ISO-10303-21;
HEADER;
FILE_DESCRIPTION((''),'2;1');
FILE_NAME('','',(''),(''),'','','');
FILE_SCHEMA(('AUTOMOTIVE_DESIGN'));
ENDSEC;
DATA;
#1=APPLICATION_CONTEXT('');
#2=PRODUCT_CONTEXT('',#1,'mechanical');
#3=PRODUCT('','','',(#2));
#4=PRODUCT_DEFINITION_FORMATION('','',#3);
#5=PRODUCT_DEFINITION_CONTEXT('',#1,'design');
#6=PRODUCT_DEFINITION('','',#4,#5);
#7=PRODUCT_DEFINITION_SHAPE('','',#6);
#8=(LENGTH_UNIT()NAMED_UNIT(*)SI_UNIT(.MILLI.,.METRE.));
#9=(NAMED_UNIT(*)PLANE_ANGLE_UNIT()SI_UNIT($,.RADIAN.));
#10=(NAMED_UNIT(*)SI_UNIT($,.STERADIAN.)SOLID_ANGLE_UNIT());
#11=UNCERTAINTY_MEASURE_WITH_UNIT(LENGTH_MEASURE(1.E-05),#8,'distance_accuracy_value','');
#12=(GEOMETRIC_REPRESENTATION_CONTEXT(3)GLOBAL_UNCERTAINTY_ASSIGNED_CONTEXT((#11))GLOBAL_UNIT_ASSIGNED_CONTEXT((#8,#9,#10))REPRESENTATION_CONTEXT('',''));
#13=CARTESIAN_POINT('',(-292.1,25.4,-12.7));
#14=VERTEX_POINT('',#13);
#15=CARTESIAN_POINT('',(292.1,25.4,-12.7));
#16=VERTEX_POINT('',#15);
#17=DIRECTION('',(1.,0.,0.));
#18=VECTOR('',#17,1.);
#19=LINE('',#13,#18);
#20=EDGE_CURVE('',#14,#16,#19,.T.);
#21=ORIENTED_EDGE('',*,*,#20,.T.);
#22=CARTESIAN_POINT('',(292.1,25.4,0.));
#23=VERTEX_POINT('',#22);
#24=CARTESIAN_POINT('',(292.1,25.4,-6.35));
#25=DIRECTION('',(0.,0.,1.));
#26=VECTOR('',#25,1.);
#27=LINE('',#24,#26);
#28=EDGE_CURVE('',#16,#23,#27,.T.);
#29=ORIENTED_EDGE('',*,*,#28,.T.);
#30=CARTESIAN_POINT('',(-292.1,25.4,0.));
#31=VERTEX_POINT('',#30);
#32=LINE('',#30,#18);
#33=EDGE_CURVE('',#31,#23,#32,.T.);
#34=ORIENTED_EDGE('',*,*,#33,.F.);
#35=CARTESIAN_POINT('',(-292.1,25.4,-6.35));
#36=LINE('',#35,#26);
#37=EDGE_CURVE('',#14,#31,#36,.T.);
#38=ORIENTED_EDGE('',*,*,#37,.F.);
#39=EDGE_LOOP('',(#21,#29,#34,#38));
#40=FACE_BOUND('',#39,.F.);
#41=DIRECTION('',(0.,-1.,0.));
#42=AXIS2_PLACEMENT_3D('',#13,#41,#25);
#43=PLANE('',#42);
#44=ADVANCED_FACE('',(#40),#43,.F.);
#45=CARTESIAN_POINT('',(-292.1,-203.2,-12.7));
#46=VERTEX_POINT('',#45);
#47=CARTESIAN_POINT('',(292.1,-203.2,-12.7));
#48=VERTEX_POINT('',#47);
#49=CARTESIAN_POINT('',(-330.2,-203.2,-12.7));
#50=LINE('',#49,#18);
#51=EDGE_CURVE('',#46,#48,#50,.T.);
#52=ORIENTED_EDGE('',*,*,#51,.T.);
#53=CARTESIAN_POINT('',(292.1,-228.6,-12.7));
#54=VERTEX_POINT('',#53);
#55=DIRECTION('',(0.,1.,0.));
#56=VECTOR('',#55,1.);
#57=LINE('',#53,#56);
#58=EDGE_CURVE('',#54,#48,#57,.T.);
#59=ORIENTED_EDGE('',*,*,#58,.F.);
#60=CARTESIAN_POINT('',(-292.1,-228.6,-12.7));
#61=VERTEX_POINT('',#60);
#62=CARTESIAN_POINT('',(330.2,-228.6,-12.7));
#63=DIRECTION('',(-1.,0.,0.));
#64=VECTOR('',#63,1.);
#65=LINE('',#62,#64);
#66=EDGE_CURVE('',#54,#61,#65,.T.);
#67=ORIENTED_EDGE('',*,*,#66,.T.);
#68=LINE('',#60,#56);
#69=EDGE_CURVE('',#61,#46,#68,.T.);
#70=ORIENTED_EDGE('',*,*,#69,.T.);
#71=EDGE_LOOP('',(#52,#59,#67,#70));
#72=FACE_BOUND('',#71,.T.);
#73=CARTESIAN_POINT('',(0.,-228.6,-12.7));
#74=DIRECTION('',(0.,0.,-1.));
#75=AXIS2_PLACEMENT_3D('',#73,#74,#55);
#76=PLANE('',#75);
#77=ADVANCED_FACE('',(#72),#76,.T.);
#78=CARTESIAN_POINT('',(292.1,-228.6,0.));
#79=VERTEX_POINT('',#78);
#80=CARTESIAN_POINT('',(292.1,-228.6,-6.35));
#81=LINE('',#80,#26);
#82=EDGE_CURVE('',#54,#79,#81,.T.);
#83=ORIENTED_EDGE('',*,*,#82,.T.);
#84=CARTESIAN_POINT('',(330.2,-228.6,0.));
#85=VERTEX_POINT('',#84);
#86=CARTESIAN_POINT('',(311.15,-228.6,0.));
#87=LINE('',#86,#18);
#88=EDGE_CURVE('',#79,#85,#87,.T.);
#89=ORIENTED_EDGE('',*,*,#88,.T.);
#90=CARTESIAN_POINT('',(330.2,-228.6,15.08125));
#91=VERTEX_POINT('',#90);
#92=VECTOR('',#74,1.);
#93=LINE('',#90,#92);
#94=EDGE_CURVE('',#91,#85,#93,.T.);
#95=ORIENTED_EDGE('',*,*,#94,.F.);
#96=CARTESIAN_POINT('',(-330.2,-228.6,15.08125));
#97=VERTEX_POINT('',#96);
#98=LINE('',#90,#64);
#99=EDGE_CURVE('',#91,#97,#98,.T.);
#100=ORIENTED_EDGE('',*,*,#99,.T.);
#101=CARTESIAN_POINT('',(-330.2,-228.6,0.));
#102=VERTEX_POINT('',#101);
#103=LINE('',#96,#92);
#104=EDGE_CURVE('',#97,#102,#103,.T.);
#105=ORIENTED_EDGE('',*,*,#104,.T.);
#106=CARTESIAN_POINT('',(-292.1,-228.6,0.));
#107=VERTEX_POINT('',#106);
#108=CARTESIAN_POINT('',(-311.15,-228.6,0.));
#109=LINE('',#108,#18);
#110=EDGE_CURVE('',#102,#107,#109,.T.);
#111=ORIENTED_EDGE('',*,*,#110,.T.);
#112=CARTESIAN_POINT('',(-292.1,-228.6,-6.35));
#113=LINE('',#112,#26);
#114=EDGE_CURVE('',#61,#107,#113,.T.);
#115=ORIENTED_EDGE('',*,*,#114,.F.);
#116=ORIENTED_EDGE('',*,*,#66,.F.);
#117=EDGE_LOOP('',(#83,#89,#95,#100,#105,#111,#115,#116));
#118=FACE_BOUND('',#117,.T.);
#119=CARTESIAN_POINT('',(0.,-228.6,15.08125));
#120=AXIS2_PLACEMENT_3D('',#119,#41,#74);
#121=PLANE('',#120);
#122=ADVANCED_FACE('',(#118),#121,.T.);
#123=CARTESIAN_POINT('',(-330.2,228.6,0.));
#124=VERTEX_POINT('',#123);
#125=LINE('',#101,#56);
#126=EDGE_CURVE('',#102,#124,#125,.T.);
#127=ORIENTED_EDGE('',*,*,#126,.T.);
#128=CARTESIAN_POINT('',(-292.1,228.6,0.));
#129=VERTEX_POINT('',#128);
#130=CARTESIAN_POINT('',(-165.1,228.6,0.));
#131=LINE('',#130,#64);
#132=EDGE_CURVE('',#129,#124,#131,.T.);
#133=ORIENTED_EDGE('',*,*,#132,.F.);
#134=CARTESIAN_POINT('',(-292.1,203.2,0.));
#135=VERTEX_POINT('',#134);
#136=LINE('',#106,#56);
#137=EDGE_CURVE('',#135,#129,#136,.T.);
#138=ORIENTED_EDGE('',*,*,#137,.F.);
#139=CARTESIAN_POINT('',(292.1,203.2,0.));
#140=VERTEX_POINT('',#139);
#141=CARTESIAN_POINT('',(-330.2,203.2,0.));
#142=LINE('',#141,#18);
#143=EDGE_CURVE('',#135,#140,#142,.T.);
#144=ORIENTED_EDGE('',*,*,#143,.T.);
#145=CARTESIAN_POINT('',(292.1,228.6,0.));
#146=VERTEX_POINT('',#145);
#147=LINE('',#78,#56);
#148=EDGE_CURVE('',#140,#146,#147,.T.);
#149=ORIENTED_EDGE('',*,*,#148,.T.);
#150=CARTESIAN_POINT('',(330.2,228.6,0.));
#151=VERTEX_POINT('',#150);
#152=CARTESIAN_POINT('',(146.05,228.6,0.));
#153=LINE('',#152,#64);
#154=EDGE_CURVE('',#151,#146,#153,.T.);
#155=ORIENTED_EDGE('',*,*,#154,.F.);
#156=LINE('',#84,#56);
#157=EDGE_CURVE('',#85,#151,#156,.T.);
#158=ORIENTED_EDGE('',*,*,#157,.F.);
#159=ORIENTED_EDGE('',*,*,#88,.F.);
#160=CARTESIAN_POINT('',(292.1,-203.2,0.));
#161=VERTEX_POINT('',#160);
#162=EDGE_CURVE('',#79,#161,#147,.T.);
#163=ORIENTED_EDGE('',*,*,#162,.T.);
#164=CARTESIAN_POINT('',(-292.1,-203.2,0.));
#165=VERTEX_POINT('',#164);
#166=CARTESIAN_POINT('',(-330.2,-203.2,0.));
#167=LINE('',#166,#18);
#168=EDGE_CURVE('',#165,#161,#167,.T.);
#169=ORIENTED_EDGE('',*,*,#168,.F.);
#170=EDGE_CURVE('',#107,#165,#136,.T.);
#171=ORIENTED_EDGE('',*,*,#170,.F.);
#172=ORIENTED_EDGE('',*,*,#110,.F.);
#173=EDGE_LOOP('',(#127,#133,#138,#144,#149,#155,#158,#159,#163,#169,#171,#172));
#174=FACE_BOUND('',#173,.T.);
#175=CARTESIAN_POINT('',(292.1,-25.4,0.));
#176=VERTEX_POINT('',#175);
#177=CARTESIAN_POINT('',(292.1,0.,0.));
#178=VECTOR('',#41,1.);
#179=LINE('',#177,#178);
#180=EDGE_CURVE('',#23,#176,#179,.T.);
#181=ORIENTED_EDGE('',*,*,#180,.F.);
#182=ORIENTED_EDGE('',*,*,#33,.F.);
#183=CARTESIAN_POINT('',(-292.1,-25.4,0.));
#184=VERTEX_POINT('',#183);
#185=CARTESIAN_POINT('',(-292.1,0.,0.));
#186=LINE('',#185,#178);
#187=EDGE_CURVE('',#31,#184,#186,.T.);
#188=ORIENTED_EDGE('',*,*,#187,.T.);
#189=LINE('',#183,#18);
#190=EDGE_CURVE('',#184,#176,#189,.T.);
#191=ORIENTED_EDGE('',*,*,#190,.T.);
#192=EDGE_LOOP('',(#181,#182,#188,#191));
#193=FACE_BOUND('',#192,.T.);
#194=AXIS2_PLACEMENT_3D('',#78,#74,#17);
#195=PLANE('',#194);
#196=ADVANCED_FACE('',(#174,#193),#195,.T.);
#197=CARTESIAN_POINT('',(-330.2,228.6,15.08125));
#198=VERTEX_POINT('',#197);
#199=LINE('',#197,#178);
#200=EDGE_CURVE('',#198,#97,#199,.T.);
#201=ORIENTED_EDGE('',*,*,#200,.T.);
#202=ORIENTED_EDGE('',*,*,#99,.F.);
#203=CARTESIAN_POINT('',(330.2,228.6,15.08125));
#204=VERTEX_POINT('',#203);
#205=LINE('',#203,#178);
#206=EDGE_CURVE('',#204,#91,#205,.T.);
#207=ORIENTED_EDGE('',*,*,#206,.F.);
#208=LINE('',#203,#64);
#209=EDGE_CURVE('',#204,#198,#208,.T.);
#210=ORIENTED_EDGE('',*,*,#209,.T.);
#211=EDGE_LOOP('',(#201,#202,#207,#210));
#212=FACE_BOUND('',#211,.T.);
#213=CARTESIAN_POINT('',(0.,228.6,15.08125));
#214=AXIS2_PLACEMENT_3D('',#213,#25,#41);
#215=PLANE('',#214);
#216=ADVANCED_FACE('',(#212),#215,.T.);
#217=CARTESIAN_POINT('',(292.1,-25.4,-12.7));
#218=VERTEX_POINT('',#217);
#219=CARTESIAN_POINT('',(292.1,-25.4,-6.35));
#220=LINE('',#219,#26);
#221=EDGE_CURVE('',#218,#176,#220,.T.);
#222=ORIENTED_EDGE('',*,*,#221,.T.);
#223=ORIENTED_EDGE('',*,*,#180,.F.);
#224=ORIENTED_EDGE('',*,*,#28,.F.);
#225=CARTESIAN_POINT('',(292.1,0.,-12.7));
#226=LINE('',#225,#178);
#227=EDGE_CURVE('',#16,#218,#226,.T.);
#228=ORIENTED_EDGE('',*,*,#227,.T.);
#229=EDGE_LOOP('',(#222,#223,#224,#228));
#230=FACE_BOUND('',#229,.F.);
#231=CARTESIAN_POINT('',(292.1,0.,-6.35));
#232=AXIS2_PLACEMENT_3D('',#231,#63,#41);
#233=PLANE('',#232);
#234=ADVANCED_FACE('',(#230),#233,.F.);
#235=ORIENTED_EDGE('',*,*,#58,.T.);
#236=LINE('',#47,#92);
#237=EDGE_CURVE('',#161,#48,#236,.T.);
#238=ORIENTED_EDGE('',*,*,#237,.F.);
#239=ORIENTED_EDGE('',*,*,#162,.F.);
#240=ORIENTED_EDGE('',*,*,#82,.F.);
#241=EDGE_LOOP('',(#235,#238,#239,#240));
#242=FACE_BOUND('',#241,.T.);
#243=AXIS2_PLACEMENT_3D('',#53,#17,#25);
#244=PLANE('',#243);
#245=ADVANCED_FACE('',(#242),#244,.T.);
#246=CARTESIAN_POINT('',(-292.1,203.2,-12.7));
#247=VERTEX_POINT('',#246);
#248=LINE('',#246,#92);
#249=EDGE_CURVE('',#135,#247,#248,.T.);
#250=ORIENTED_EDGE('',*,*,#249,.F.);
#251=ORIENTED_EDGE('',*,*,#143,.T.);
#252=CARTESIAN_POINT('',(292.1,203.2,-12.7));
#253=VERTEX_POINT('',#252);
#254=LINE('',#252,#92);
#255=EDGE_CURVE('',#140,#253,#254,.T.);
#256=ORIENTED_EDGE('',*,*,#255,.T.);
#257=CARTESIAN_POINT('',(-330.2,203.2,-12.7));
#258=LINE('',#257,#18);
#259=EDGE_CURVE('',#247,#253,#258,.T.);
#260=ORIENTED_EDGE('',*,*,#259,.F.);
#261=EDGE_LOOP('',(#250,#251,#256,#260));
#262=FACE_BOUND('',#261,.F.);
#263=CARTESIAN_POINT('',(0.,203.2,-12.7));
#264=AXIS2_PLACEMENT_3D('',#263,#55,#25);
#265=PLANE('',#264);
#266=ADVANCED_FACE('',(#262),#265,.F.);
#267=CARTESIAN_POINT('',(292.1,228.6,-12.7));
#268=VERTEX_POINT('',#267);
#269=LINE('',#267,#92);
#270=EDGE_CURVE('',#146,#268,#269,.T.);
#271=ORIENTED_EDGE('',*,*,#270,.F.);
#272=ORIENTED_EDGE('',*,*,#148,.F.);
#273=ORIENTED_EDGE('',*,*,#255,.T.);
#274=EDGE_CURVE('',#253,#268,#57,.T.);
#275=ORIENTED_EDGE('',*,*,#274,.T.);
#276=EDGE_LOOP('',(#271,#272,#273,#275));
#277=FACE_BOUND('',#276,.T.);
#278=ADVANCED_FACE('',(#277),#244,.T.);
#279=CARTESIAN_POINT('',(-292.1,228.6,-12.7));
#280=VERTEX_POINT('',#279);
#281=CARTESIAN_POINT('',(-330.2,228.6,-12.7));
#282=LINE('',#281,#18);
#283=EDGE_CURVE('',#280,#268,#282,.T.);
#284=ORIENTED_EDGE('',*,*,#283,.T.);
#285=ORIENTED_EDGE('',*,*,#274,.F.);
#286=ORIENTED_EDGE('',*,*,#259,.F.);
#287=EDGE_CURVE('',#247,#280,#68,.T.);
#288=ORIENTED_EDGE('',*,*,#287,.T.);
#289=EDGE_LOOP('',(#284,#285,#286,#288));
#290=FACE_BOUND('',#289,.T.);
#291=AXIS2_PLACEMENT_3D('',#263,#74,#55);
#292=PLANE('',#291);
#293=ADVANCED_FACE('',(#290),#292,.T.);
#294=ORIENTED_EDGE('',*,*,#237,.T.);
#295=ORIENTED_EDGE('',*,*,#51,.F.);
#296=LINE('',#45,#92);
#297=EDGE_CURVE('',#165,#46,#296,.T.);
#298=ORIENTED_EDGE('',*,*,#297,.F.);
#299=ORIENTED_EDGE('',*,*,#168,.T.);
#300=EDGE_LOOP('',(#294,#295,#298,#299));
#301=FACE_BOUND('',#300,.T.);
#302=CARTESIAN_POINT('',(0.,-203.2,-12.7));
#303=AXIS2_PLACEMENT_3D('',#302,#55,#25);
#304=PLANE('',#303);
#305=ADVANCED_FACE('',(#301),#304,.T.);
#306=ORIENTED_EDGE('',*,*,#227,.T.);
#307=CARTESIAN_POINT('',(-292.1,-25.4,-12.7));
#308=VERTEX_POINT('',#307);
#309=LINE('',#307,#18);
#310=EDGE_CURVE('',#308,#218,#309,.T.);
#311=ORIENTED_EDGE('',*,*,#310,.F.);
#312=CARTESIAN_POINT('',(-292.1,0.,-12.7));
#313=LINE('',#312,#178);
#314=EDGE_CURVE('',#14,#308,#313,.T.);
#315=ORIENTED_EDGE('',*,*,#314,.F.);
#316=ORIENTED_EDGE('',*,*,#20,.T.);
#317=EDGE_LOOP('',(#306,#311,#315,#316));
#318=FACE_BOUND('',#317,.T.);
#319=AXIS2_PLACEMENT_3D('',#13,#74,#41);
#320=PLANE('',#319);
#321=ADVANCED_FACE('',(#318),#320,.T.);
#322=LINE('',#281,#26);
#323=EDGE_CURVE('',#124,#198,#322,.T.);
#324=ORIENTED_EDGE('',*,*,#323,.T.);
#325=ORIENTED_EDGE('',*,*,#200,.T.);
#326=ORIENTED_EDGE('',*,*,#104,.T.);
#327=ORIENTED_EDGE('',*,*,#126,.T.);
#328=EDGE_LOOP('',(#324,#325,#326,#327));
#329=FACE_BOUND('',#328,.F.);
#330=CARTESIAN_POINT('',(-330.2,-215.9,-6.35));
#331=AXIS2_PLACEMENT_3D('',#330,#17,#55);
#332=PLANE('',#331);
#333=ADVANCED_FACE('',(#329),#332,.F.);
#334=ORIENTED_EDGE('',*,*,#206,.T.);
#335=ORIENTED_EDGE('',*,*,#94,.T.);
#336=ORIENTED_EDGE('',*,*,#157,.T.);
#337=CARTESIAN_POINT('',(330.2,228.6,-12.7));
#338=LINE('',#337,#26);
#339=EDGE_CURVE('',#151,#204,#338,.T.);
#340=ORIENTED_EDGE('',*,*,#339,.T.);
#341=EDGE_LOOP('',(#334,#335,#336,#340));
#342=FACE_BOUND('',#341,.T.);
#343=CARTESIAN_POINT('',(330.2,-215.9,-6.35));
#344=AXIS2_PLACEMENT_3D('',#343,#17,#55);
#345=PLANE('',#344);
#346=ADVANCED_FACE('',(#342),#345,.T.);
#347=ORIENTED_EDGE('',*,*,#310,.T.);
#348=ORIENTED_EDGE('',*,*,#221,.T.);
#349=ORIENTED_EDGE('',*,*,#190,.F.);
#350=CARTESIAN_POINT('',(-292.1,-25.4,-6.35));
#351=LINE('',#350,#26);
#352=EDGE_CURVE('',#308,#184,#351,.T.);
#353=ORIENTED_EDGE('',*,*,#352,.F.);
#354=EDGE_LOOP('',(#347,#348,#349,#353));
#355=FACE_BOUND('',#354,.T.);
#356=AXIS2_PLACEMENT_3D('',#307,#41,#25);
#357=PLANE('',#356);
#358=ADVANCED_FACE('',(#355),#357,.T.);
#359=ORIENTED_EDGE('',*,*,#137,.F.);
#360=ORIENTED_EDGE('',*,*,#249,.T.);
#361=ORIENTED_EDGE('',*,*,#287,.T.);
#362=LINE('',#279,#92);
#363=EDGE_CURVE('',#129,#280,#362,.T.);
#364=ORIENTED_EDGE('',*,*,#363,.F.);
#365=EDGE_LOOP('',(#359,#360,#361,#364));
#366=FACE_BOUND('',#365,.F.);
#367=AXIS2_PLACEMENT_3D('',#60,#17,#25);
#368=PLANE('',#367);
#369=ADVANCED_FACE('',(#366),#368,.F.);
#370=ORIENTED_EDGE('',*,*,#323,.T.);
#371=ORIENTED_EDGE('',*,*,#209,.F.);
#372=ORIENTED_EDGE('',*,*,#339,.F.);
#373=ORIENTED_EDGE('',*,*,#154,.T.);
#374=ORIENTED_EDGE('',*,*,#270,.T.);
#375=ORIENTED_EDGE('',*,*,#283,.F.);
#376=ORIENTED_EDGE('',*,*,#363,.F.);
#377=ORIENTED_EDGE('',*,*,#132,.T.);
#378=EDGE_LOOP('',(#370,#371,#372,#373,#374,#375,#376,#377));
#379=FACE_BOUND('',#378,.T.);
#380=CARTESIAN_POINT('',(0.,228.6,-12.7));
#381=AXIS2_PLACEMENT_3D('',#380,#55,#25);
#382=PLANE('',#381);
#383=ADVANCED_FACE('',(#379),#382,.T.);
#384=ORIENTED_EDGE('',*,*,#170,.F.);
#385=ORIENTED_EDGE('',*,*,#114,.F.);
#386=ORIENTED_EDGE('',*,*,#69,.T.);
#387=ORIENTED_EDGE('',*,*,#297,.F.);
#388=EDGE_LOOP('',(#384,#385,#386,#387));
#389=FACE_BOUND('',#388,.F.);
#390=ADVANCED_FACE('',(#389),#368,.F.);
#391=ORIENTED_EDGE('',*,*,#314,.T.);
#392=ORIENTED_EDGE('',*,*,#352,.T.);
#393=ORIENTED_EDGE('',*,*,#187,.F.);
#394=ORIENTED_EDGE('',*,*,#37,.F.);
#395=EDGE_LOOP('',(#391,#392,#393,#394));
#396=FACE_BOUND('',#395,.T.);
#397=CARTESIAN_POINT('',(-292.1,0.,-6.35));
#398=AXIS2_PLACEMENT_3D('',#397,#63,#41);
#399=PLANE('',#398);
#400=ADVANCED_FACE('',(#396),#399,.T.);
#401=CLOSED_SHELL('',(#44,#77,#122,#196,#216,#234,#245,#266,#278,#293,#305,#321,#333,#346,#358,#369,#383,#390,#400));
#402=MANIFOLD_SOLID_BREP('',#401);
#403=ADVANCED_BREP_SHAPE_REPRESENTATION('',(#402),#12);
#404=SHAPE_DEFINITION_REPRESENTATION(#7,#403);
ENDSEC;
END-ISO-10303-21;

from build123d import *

# Parameters (mm, degrees)
F0_W     = 25.4
F0_H     = 12.7
F1_DEPTH = 330.2
F2_W     = 38.1
F2_H     = 12.7
F3_DEPTH = 457.201
F4_W     = 50.8
F4_H     = 12.7
F5_DEPTH = 584.2


with BuildPart() as f1:
    # F0 (on Right) → F1 (new body, symmetric)
    with BuildSketch(Plane.YZ):
        with Locations((-215.9, -6.35)):
            Rectangle(F0_W, F0_H)
        Polygon((-228.6, 15.08125), (-228.6, 0), (-203.2, 0), (203.2, 0), (228.6, 0), (228.6, 15.08125), align=None)
        with Locations((215.9, -6.35)):
            Rectangle(F0_W, F0_H)
    extrude(amount=F1_DEPTH, both=True)

    # F2 (on face) → F3 (cut, through all)
    with BuildSketch(Plane.XZ.offset(228.6)):
        with Locations((-311.15, -6.35)):
            Rectangle(F2_W, F2_H)
        with Locations((311.15, -6.35)):
            Rectangle(F2_W, F2_H)
    extrude(amount=-F3_DEPTH, mode=Mode.SUBTRACT)

    # F4 (on face) → F5 (join, through all)
    with BuildSketch(Plane(origin=(-292.1, 0, 0), x_dir=(0, -1, 0), z_dir=(-1, 0, 0))):
        with Locations((0, -6.35)):
            Rectangle(F4_W, F4_H)
    extrude(amount=-F5_DEPTH)


solid = f1.part
